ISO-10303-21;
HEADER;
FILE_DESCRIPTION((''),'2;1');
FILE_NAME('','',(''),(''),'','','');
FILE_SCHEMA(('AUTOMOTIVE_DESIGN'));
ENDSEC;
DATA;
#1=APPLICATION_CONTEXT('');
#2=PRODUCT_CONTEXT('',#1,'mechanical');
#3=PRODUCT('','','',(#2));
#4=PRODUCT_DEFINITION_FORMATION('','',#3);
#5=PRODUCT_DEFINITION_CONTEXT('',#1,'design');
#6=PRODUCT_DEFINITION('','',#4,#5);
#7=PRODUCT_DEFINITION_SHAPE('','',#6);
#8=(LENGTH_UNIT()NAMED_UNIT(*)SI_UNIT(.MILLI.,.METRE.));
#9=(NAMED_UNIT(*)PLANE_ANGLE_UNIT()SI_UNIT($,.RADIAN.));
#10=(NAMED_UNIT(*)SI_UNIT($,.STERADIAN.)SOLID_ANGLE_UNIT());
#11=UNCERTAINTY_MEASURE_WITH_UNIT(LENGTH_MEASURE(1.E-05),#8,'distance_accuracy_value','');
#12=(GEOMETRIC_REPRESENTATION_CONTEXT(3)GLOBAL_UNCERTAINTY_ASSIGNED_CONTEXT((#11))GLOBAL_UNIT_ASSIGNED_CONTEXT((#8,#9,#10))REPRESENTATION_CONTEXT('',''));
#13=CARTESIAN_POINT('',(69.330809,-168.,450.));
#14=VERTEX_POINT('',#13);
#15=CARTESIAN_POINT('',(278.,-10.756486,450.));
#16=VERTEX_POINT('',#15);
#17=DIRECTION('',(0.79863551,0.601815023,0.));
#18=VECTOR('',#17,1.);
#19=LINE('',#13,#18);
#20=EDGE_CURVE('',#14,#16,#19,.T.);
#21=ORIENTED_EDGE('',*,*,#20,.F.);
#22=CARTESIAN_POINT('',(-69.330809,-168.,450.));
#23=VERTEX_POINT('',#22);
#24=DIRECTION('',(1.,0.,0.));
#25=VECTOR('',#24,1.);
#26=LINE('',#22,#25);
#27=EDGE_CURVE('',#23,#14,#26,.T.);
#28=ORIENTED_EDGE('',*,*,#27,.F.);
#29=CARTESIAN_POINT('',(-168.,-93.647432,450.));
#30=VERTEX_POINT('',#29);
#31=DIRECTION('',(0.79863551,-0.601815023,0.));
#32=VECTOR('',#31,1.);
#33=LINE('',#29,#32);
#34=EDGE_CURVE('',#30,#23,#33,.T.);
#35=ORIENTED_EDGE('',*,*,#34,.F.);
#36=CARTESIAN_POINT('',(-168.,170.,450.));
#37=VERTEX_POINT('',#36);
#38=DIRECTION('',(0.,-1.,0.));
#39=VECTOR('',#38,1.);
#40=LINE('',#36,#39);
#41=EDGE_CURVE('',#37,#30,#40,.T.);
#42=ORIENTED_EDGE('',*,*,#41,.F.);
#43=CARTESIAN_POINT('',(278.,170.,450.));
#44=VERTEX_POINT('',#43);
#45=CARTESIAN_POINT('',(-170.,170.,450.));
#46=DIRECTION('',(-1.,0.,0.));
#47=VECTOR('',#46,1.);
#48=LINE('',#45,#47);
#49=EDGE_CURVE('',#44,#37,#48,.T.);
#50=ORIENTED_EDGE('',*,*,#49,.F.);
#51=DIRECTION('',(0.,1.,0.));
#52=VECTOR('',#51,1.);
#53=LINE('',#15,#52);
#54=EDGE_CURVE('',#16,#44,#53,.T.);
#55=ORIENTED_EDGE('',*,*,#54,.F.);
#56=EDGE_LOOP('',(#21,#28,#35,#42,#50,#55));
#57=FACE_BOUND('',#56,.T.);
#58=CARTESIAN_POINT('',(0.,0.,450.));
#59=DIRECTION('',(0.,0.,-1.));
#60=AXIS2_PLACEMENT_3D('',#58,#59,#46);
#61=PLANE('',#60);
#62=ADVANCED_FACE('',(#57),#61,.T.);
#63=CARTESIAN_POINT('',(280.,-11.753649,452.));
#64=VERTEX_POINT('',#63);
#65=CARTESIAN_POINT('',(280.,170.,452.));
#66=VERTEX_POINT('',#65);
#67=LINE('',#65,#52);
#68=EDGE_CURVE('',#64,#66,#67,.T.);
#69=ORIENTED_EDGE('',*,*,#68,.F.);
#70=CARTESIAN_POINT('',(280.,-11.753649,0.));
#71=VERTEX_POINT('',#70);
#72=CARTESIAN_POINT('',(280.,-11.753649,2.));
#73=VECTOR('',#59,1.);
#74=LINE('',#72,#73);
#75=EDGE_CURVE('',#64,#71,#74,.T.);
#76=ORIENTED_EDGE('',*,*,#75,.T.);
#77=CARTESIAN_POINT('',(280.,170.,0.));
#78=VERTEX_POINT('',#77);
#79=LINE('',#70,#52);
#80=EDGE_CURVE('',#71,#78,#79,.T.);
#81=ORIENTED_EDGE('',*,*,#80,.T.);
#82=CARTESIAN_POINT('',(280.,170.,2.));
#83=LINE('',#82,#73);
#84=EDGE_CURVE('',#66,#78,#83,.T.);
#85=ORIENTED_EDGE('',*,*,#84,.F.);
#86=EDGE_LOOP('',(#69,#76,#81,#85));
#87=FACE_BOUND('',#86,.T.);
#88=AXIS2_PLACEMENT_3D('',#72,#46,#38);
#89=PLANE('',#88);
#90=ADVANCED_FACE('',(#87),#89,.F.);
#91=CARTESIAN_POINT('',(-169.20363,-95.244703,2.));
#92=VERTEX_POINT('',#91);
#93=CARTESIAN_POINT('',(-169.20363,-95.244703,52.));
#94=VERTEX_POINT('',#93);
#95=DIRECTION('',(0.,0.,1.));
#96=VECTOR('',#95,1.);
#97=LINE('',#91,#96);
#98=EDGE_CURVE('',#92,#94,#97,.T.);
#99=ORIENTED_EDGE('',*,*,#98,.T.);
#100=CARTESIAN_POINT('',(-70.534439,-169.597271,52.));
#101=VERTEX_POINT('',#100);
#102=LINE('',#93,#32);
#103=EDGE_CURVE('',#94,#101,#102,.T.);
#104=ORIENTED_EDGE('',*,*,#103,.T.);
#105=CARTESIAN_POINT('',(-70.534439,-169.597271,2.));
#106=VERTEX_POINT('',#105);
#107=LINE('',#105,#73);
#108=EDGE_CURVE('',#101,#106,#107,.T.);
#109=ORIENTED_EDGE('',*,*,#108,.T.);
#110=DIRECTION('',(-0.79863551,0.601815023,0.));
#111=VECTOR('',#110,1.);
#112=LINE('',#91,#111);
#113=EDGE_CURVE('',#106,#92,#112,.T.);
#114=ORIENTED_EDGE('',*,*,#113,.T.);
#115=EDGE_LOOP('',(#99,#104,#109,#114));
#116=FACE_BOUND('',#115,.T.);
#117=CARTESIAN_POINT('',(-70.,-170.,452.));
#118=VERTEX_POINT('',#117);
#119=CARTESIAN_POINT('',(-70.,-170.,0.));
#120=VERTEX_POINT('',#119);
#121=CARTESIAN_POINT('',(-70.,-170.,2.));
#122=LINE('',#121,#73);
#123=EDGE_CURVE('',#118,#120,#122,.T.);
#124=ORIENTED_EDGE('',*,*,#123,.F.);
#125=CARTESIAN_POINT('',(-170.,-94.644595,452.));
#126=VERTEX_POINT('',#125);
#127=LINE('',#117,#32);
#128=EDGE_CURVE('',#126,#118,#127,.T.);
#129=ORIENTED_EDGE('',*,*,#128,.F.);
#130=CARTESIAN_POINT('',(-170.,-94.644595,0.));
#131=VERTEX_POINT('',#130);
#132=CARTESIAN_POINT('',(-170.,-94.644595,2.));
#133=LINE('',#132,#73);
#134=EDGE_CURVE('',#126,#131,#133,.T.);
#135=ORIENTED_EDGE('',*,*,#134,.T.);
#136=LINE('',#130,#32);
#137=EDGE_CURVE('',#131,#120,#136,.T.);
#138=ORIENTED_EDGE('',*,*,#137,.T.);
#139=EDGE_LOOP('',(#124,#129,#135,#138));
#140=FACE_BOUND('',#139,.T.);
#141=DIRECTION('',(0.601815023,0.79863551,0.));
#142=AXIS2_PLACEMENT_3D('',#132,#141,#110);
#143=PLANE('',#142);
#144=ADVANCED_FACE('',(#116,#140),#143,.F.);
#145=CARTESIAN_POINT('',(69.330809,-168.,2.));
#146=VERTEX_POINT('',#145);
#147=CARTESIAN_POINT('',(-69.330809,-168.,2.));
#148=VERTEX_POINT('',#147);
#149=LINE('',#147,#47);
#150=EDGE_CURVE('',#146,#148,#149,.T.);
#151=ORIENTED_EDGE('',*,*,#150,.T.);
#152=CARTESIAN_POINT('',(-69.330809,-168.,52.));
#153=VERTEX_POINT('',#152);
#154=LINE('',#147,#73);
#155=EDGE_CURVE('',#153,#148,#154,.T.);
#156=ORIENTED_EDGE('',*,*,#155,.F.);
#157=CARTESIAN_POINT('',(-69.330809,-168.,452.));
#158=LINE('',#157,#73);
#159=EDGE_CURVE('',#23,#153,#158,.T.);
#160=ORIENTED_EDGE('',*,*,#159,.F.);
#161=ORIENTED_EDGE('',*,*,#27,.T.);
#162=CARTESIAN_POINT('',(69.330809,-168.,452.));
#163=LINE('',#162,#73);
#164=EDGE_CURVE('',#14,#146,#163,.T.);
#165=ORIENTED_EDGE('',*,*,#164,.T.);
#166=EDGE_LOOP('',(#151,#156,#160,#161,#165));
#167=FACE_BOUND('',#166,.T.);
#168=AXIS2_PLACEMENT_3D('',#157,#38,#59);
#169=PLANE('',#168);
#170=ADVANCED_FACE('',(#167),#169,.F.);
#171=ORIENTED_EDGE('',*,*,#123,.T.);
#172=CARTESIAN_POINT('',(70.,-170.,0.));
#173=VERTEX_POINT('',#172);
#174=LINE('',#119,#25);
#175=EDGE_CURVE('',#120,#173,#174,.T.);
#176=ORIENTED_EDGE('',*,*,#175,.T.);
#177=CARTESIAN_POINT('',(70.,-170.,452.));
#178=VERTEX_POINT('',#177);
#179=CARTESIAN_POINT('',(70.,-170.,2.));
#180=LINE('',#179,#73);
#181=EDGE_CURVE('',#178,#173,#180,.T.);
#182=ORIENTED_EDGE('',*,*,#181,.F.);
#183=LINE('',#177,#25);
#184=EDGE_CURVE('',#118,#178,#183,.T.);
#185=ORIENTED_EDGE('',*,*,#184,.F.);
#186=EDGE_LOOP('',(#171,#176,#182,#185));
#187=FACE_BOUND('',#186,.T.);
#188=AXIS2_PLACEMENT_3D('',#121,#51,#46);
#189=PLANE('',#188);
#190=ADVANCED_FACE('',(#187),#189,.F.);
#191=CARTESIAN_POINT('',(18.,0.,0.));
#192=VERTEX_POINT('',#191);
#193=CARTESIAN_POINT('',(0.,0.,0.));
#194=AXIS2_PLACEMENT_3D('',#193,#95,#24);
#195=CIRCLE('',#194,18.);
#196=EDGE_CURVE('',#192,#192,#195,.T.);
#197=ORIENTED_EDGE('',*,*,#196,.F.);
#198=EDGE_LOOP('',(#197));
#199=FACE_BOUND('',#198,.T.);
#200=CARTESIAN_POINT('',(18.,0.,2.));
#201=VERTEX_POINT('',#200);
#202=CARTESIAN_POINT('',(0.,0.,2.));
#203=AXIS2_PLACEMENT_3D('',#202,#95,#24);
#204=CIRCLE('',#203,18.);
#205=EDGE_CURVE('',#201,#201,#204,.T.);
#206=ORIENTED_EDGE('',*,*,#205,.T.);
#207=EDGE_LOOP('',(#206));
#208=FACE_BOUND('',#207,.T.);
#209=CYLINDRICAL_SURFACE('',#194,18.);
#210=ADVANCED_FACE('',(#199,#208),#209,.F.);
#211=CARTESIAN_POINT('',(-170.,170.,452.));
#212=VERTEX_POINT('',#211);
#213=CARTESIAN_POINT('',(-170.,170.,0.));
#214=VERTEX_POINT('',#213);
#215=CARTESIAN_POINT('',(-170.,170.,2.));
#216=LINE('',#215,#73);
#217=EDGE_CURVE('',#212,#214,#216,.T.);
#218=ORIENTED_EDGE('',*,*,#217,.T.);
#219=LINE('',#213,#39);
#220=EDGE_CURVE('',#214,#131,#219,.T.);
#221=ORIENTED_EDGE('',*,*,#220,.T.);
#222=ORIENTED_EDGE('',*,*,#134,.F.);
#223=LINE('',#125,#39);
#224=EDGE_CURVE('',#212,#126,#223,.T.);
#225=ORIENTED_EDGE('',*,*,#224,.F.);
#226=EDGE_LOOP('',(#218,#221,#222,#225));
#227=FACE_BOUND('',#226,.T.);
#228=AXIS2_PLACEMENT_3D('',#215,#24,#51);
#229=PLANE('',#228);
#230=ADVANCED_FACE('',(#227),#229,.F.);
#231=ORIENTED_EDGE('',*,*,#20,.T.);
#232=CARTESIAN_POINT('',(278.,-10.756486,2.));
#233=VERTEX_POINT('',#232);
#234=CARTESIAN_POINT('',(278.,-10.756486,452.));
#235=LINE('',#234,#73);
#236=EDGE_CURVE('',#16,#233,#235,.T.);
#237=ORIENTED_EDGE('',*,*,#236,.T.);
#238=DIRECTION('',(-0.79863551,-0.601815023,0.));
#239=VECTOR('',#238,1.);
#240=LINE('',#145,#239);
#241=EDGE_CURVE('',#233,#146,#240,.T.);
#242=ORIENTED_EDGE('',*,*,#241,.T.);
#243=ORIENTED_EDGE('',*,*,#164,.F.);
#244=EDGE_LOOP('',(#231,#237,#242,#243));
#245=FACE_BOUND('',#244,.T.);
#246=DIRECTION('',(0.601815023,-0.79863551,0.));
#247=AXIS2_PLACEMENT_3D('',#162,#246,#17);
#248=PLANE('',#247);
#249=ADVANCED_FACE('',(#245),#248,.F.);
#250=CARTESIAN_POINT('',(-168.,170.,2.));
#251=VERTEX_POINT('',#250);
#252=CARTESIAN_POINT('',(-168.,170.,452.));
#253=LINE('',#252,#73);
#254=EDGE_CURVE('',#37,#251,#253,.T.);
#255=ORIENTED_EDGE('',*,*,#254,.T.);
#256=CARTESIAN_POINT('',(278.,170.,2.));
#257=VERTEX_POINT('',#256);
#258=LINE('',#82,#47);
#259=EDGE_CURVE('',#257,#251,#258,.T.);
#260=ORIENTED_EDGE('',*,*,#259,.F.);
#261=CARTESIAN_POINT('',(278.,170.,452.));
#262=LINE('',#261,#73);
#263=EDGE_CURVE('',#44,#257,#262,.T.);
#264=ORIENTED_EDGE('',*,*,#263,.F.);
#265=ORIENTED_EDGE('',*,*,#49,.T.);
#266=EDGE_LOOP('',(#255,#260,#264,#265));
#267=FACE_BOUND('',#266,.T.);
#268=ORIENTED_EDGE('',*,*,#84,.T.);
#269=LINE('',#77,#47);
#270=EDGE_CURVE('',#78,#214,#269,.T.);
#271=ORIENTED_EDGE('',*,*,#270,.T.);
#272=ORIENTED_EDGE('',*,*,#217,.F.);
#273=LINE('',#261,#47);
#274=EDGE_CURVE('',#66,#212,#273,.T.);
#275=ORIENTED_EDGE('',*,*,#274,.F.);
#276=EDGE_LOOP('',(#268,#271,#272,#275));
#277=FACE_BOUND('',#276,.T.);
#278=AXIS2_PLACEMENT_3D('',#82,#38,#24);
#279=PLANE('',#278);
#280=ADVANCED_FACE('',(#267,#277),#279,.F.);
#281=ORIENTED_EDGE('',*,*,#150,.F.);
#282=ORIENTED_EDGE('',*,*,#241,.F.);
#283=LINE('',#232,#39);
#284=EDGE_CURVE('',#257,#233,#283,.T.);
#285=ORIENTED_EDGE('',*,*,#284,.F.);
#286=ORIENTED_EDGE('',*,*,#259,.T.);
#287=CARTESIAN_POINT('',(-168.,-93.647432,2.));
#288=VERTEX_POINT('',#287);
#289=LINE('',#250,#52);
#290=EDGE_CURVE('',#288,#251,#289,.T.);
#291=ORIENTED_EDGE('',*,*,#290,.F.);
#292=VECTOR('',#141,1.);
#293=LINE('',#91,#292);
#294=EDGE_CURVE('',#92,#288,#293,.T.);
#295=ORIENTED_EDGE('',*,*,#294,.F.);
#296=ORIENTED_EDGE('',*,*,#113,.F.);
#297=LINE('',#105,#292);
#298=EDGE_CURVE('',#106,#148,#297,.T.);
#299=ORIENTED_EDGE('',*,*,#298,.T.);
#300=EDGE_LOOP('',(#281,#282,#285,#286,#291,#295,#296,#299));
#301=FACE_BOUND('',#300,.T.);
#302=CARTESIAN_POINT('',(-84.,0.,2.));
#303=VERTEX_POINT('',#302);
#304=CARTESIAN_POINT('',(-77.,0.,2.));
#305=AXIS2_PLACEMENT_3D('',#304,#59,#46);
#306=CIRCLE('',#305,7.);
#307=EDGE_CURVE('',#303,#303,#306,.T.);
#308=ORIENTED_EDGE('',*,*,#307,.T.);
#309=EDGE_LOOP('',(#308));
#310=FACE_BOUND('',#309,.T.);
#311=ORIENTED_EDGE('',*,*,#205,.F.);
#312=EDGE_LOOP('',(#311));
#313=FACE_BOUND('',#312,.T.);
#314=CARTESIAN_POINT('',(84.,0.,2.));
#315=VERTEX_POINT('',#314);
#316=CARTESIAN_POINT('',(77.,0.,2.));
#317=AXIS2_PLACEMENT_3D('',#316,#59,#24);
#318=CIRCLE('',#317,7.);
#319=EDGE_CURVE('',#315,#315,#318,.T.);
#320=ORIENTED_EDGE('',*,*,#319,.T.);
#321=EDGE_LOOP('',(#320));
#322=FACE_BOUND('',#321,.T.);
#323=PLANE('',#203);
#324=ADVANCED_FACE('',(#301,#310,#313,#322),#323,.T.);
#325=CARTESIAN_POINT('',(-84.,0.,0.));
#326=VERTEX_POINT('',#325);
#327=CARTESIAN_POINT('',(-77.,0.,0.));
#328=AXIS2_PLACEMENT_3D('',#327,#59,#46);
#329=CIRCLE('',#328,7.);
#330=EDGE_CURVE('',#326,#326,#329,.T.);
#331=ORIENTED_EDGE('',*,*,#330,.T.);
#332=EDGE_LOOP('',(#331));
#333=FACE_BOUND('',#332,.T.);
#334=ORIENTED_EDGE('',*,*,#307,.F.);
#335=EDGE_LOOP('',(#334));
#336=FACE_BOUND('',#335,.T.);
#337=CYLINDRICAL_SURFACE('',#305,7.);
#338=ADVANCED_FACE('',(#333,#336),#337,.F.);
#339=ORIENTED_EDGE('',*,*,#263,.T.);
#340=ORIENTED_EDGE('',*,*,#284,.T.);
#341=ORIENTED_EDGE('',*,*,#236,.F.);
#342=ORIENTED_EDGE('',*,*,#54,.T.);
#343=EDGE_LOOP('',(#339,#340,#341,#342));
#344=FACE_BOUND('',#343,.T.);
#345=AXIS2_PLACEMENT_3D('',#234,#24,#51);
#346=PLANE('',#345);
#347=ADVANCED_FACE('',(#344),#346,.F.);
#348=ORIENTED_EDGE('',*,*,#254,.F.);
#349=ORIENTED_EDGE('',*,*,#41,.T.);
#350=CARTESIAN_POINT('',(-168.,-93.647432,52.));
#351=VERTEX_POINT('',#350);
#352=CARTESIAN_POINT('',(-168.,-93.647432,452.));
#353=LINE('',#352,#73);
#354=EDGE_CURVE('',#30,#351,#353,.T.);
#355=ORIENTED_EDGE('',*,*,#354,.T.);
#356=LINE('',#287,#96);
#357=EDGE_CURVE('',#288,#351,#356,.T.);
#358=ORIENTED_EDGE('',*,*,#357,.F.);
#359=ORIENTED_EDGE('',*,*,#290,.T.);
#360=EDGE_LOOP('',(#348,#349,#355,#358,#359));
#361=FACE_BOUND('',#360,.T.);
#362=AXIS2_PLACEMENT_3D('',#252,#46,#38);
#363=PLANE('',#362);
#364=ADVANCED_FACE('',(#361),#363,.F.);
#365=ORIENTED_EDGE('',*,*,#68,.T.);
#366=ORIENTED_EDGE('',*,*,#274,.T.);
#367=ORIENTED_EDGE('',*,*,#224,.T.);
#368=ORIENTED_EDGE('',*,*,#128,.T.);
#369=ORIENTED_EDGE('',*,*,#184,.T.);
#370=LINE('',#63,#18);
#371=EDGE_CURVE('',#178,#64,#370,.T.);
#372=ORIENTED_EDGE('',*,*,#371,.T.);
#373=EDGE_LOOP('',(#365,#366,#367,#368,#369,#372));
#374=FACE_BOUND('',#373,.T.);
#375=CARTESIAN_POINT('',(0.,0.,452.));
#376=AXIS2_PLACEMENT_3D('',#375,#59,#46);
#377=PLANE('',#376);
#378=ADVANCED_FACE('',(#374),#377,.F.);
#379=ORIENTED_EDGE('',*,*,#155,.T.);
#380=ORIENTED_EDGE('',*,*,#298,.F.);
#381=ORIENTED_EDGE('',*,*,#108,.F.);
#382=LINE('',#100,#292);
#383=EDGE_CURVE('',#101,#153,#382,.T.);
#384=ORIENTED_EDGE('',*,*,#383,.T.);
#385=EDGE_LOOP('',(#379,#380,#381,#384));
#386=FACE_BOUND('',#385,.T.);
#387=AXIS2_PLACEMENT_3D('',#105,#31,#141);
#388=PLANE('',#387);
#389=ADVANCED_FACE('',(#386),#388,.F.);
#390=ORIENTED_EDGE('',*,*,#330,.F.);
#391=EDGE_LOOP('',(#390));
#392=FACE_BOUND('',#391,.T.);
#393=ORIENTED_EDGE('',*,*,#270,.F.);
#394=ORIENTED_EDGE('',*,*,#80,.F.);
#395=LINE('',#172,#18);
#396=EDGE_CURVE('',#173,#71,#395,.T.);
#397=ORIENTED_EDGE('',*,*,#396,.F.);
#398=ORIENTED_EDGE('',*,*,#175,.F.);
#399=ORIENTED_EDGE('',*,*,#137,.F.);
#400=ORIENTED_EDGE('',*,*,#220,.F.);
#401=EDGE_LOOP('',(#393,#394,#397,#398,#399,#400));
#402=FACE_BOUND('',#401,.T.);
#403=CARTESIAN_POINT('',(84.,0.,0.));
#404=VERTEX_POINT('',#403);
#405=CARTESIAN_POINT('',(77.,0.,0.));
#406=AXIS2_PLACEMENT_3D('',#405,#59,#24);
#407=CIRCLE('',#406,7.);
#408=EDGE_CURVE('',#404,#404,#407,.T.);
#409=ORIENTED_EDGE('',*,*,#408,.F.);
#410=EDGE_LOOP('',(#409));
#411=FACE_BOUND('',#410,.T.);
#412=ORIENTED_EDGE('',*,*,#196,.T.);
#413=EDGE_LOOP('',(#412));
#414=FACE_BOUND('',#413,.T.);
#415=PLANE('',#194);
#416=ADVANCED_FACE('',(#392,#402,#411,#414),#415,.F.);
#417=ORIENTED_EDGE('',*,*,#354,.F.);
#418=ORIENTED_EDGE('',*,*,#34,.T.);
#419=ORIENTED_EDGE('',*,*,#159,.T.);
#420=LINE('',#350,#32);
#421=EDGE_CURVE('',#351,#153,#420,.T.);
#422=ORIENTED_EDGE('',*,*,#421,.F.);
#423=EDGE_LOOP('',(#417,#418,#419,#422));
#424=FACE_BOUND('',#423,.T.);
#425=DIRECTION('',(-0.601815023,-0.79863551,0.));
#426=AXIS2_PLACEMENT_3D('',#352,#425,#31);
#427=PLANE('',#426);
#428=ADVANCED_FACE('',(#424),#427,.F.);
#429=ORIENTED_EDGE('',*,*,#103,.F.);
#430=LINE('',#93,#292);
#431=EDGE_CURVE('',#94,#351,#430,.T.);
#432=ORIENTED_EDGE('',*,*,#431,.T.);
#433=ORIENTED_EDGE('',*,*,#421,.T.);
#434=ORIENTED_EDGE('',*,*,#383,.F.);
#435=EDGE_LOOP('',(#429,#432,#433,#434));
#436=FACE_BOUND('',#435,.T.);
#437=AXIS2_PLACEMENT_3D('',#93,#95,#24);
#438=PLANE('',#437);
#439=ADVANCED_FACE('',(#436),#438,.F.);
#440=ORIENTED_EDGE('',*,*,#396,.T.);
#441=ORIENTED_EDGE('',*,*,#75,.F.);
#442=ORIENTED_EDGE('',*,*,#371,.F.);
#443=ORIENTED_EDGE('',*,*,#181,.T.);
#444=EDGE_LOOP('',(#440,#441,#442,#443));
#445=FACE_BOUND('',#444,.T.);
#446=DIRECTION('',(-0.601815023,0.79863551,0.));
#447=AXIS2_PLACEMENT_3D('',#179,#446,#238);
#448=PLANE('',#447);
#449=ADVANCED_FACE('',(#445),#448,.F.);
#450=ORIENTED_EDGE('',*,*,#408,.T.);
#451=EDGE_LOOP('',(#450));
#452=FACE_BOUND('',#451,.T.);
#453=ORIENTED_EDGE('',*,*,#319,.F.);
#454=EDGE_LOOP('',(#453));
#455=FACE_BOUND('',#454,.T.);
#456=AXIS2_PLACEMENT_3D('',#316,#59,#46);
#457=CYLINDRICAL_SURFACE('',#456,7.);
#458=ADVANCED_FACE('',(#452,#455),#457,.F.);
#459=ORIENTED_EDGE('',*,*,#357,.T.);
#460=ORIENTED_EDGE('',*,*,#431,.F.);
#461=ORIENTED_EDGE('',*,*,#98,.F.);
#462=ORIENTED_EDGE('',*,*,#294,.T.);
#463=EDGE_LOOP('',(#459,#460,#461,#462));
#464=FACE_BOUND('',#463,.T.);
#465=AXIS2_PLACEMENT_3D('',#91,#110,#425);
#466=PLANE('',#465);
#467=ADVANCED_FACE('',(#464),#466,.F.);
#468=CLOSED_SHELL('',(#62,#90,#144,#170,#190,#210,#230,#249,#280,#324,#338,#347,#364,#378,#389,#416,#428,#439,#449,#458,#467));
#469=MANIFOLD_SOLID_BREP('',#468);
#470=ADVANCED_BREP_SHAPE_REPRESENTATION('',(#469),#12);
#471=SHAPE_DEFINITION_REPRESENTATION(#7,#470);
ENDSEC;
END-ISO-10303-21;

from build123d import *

# Parameters (mm, degrees)
SALIENTE_EXTRUIR1_DEPTH = 2
SALIENTE_EXTRUIR2_DEPTH = 450
SALIENTE_EXTRUIR3_DEPTH = 2
CROQUIS4_R              = 18
CORTAR_EXTRUIR1_DEPTH   = 2
CROQUIS5_W              = 123.547211961
CROQUIS5_H              = 50
CORTAR_EXTRUIR2_DEPTH   = 2
CROQUIS6_R              = 7
CORTAR_EXTRUIR3_DEPTH   = 2


with BuildPart() as part:
    # Croquis1 → Saliente-Extruir1 (new body)
    with BuildSketch(Plane.XY):
        Polygon((-70, -170), (70, -170), (280, -11.753649478), (280, 170), (-170, 170), (-170, -94.64459499), align=None)
    extrude(amount=SALIENTE_EXTRUIR1_DEPTH)

    # Croquis2 → Saliente-Extruir2 (add)
    with BuildSketch(Plane.XY.offset(2)):
        Polygon((-170, 170), (-168, 170), (-168, -93.647431774), (-69.330809361, -168), (69.330809361, -168), (278, -10.756486262), (278, 170), (280, 170), (280, -11.753649478), (70, -170), (-70, -170), (-170, -94.64459499), align=None)
    extrude(amount=SALIENTE_EXTRUIR2_DEPTH)

    # Croquis3 → Saliente-Extruir3 (add)
    with BuildSketch(Plane.XY.offset(452)):
        Polygon((-170, 170), (280, 170), (280, -11.753649478), (70, -170), (-70, -170), (-170, -94.64459499), align=None)
    extrude(amount=-SALIENTE_EXTRUIR3_DEPTH)

    # Croquis4 → Cortar-Extruir1 (cut)
    with BuildSketch(Plane.XY.offset(2)):
        Circle(CROQUIS4_R)
    extrude(amount=-CORTAR_EXTRUIR1_DEPTH, mode=Mode.SUBTRACT)

    # Croquis5 → Cortar-Extruir2 (cut)
    with BuildSketch(Plane(origin=(-105.856306655, -140.476063582, 0), x_dir=(0.7986355100472919, -0.6018150231520497, 0), z_dir=(0.6018150231520497, 0.7986355100472919, 0))):
        with Locations((-16.038728387, -27)):
            Rectangle(CROQUIS5_W, CROQUIS5_H)
    extrude(amount=-CORTAR_EXTRUIR2_DEPTH, mode=Mode.SUBTRACT)

    # Croquis6 → Cortar-Extruir3 (cut)
    with BuildSketch(Plane(origin=(0, 0, 0), x_dir=(-1, 0, 0), z_dir=(0, 0, -1))):
        with Locations((77, 0)):
            Circle(CROQUIS6_R)
        with Locations(Location((-77, 0, 0), (0, 0, 180))):
            Circle(CROQUIS6_R)
    extrude(amount=-CORTAR_EXTRUIR3_DEPTH, mode=Mode.SUBTRACT)


solid = part.part
